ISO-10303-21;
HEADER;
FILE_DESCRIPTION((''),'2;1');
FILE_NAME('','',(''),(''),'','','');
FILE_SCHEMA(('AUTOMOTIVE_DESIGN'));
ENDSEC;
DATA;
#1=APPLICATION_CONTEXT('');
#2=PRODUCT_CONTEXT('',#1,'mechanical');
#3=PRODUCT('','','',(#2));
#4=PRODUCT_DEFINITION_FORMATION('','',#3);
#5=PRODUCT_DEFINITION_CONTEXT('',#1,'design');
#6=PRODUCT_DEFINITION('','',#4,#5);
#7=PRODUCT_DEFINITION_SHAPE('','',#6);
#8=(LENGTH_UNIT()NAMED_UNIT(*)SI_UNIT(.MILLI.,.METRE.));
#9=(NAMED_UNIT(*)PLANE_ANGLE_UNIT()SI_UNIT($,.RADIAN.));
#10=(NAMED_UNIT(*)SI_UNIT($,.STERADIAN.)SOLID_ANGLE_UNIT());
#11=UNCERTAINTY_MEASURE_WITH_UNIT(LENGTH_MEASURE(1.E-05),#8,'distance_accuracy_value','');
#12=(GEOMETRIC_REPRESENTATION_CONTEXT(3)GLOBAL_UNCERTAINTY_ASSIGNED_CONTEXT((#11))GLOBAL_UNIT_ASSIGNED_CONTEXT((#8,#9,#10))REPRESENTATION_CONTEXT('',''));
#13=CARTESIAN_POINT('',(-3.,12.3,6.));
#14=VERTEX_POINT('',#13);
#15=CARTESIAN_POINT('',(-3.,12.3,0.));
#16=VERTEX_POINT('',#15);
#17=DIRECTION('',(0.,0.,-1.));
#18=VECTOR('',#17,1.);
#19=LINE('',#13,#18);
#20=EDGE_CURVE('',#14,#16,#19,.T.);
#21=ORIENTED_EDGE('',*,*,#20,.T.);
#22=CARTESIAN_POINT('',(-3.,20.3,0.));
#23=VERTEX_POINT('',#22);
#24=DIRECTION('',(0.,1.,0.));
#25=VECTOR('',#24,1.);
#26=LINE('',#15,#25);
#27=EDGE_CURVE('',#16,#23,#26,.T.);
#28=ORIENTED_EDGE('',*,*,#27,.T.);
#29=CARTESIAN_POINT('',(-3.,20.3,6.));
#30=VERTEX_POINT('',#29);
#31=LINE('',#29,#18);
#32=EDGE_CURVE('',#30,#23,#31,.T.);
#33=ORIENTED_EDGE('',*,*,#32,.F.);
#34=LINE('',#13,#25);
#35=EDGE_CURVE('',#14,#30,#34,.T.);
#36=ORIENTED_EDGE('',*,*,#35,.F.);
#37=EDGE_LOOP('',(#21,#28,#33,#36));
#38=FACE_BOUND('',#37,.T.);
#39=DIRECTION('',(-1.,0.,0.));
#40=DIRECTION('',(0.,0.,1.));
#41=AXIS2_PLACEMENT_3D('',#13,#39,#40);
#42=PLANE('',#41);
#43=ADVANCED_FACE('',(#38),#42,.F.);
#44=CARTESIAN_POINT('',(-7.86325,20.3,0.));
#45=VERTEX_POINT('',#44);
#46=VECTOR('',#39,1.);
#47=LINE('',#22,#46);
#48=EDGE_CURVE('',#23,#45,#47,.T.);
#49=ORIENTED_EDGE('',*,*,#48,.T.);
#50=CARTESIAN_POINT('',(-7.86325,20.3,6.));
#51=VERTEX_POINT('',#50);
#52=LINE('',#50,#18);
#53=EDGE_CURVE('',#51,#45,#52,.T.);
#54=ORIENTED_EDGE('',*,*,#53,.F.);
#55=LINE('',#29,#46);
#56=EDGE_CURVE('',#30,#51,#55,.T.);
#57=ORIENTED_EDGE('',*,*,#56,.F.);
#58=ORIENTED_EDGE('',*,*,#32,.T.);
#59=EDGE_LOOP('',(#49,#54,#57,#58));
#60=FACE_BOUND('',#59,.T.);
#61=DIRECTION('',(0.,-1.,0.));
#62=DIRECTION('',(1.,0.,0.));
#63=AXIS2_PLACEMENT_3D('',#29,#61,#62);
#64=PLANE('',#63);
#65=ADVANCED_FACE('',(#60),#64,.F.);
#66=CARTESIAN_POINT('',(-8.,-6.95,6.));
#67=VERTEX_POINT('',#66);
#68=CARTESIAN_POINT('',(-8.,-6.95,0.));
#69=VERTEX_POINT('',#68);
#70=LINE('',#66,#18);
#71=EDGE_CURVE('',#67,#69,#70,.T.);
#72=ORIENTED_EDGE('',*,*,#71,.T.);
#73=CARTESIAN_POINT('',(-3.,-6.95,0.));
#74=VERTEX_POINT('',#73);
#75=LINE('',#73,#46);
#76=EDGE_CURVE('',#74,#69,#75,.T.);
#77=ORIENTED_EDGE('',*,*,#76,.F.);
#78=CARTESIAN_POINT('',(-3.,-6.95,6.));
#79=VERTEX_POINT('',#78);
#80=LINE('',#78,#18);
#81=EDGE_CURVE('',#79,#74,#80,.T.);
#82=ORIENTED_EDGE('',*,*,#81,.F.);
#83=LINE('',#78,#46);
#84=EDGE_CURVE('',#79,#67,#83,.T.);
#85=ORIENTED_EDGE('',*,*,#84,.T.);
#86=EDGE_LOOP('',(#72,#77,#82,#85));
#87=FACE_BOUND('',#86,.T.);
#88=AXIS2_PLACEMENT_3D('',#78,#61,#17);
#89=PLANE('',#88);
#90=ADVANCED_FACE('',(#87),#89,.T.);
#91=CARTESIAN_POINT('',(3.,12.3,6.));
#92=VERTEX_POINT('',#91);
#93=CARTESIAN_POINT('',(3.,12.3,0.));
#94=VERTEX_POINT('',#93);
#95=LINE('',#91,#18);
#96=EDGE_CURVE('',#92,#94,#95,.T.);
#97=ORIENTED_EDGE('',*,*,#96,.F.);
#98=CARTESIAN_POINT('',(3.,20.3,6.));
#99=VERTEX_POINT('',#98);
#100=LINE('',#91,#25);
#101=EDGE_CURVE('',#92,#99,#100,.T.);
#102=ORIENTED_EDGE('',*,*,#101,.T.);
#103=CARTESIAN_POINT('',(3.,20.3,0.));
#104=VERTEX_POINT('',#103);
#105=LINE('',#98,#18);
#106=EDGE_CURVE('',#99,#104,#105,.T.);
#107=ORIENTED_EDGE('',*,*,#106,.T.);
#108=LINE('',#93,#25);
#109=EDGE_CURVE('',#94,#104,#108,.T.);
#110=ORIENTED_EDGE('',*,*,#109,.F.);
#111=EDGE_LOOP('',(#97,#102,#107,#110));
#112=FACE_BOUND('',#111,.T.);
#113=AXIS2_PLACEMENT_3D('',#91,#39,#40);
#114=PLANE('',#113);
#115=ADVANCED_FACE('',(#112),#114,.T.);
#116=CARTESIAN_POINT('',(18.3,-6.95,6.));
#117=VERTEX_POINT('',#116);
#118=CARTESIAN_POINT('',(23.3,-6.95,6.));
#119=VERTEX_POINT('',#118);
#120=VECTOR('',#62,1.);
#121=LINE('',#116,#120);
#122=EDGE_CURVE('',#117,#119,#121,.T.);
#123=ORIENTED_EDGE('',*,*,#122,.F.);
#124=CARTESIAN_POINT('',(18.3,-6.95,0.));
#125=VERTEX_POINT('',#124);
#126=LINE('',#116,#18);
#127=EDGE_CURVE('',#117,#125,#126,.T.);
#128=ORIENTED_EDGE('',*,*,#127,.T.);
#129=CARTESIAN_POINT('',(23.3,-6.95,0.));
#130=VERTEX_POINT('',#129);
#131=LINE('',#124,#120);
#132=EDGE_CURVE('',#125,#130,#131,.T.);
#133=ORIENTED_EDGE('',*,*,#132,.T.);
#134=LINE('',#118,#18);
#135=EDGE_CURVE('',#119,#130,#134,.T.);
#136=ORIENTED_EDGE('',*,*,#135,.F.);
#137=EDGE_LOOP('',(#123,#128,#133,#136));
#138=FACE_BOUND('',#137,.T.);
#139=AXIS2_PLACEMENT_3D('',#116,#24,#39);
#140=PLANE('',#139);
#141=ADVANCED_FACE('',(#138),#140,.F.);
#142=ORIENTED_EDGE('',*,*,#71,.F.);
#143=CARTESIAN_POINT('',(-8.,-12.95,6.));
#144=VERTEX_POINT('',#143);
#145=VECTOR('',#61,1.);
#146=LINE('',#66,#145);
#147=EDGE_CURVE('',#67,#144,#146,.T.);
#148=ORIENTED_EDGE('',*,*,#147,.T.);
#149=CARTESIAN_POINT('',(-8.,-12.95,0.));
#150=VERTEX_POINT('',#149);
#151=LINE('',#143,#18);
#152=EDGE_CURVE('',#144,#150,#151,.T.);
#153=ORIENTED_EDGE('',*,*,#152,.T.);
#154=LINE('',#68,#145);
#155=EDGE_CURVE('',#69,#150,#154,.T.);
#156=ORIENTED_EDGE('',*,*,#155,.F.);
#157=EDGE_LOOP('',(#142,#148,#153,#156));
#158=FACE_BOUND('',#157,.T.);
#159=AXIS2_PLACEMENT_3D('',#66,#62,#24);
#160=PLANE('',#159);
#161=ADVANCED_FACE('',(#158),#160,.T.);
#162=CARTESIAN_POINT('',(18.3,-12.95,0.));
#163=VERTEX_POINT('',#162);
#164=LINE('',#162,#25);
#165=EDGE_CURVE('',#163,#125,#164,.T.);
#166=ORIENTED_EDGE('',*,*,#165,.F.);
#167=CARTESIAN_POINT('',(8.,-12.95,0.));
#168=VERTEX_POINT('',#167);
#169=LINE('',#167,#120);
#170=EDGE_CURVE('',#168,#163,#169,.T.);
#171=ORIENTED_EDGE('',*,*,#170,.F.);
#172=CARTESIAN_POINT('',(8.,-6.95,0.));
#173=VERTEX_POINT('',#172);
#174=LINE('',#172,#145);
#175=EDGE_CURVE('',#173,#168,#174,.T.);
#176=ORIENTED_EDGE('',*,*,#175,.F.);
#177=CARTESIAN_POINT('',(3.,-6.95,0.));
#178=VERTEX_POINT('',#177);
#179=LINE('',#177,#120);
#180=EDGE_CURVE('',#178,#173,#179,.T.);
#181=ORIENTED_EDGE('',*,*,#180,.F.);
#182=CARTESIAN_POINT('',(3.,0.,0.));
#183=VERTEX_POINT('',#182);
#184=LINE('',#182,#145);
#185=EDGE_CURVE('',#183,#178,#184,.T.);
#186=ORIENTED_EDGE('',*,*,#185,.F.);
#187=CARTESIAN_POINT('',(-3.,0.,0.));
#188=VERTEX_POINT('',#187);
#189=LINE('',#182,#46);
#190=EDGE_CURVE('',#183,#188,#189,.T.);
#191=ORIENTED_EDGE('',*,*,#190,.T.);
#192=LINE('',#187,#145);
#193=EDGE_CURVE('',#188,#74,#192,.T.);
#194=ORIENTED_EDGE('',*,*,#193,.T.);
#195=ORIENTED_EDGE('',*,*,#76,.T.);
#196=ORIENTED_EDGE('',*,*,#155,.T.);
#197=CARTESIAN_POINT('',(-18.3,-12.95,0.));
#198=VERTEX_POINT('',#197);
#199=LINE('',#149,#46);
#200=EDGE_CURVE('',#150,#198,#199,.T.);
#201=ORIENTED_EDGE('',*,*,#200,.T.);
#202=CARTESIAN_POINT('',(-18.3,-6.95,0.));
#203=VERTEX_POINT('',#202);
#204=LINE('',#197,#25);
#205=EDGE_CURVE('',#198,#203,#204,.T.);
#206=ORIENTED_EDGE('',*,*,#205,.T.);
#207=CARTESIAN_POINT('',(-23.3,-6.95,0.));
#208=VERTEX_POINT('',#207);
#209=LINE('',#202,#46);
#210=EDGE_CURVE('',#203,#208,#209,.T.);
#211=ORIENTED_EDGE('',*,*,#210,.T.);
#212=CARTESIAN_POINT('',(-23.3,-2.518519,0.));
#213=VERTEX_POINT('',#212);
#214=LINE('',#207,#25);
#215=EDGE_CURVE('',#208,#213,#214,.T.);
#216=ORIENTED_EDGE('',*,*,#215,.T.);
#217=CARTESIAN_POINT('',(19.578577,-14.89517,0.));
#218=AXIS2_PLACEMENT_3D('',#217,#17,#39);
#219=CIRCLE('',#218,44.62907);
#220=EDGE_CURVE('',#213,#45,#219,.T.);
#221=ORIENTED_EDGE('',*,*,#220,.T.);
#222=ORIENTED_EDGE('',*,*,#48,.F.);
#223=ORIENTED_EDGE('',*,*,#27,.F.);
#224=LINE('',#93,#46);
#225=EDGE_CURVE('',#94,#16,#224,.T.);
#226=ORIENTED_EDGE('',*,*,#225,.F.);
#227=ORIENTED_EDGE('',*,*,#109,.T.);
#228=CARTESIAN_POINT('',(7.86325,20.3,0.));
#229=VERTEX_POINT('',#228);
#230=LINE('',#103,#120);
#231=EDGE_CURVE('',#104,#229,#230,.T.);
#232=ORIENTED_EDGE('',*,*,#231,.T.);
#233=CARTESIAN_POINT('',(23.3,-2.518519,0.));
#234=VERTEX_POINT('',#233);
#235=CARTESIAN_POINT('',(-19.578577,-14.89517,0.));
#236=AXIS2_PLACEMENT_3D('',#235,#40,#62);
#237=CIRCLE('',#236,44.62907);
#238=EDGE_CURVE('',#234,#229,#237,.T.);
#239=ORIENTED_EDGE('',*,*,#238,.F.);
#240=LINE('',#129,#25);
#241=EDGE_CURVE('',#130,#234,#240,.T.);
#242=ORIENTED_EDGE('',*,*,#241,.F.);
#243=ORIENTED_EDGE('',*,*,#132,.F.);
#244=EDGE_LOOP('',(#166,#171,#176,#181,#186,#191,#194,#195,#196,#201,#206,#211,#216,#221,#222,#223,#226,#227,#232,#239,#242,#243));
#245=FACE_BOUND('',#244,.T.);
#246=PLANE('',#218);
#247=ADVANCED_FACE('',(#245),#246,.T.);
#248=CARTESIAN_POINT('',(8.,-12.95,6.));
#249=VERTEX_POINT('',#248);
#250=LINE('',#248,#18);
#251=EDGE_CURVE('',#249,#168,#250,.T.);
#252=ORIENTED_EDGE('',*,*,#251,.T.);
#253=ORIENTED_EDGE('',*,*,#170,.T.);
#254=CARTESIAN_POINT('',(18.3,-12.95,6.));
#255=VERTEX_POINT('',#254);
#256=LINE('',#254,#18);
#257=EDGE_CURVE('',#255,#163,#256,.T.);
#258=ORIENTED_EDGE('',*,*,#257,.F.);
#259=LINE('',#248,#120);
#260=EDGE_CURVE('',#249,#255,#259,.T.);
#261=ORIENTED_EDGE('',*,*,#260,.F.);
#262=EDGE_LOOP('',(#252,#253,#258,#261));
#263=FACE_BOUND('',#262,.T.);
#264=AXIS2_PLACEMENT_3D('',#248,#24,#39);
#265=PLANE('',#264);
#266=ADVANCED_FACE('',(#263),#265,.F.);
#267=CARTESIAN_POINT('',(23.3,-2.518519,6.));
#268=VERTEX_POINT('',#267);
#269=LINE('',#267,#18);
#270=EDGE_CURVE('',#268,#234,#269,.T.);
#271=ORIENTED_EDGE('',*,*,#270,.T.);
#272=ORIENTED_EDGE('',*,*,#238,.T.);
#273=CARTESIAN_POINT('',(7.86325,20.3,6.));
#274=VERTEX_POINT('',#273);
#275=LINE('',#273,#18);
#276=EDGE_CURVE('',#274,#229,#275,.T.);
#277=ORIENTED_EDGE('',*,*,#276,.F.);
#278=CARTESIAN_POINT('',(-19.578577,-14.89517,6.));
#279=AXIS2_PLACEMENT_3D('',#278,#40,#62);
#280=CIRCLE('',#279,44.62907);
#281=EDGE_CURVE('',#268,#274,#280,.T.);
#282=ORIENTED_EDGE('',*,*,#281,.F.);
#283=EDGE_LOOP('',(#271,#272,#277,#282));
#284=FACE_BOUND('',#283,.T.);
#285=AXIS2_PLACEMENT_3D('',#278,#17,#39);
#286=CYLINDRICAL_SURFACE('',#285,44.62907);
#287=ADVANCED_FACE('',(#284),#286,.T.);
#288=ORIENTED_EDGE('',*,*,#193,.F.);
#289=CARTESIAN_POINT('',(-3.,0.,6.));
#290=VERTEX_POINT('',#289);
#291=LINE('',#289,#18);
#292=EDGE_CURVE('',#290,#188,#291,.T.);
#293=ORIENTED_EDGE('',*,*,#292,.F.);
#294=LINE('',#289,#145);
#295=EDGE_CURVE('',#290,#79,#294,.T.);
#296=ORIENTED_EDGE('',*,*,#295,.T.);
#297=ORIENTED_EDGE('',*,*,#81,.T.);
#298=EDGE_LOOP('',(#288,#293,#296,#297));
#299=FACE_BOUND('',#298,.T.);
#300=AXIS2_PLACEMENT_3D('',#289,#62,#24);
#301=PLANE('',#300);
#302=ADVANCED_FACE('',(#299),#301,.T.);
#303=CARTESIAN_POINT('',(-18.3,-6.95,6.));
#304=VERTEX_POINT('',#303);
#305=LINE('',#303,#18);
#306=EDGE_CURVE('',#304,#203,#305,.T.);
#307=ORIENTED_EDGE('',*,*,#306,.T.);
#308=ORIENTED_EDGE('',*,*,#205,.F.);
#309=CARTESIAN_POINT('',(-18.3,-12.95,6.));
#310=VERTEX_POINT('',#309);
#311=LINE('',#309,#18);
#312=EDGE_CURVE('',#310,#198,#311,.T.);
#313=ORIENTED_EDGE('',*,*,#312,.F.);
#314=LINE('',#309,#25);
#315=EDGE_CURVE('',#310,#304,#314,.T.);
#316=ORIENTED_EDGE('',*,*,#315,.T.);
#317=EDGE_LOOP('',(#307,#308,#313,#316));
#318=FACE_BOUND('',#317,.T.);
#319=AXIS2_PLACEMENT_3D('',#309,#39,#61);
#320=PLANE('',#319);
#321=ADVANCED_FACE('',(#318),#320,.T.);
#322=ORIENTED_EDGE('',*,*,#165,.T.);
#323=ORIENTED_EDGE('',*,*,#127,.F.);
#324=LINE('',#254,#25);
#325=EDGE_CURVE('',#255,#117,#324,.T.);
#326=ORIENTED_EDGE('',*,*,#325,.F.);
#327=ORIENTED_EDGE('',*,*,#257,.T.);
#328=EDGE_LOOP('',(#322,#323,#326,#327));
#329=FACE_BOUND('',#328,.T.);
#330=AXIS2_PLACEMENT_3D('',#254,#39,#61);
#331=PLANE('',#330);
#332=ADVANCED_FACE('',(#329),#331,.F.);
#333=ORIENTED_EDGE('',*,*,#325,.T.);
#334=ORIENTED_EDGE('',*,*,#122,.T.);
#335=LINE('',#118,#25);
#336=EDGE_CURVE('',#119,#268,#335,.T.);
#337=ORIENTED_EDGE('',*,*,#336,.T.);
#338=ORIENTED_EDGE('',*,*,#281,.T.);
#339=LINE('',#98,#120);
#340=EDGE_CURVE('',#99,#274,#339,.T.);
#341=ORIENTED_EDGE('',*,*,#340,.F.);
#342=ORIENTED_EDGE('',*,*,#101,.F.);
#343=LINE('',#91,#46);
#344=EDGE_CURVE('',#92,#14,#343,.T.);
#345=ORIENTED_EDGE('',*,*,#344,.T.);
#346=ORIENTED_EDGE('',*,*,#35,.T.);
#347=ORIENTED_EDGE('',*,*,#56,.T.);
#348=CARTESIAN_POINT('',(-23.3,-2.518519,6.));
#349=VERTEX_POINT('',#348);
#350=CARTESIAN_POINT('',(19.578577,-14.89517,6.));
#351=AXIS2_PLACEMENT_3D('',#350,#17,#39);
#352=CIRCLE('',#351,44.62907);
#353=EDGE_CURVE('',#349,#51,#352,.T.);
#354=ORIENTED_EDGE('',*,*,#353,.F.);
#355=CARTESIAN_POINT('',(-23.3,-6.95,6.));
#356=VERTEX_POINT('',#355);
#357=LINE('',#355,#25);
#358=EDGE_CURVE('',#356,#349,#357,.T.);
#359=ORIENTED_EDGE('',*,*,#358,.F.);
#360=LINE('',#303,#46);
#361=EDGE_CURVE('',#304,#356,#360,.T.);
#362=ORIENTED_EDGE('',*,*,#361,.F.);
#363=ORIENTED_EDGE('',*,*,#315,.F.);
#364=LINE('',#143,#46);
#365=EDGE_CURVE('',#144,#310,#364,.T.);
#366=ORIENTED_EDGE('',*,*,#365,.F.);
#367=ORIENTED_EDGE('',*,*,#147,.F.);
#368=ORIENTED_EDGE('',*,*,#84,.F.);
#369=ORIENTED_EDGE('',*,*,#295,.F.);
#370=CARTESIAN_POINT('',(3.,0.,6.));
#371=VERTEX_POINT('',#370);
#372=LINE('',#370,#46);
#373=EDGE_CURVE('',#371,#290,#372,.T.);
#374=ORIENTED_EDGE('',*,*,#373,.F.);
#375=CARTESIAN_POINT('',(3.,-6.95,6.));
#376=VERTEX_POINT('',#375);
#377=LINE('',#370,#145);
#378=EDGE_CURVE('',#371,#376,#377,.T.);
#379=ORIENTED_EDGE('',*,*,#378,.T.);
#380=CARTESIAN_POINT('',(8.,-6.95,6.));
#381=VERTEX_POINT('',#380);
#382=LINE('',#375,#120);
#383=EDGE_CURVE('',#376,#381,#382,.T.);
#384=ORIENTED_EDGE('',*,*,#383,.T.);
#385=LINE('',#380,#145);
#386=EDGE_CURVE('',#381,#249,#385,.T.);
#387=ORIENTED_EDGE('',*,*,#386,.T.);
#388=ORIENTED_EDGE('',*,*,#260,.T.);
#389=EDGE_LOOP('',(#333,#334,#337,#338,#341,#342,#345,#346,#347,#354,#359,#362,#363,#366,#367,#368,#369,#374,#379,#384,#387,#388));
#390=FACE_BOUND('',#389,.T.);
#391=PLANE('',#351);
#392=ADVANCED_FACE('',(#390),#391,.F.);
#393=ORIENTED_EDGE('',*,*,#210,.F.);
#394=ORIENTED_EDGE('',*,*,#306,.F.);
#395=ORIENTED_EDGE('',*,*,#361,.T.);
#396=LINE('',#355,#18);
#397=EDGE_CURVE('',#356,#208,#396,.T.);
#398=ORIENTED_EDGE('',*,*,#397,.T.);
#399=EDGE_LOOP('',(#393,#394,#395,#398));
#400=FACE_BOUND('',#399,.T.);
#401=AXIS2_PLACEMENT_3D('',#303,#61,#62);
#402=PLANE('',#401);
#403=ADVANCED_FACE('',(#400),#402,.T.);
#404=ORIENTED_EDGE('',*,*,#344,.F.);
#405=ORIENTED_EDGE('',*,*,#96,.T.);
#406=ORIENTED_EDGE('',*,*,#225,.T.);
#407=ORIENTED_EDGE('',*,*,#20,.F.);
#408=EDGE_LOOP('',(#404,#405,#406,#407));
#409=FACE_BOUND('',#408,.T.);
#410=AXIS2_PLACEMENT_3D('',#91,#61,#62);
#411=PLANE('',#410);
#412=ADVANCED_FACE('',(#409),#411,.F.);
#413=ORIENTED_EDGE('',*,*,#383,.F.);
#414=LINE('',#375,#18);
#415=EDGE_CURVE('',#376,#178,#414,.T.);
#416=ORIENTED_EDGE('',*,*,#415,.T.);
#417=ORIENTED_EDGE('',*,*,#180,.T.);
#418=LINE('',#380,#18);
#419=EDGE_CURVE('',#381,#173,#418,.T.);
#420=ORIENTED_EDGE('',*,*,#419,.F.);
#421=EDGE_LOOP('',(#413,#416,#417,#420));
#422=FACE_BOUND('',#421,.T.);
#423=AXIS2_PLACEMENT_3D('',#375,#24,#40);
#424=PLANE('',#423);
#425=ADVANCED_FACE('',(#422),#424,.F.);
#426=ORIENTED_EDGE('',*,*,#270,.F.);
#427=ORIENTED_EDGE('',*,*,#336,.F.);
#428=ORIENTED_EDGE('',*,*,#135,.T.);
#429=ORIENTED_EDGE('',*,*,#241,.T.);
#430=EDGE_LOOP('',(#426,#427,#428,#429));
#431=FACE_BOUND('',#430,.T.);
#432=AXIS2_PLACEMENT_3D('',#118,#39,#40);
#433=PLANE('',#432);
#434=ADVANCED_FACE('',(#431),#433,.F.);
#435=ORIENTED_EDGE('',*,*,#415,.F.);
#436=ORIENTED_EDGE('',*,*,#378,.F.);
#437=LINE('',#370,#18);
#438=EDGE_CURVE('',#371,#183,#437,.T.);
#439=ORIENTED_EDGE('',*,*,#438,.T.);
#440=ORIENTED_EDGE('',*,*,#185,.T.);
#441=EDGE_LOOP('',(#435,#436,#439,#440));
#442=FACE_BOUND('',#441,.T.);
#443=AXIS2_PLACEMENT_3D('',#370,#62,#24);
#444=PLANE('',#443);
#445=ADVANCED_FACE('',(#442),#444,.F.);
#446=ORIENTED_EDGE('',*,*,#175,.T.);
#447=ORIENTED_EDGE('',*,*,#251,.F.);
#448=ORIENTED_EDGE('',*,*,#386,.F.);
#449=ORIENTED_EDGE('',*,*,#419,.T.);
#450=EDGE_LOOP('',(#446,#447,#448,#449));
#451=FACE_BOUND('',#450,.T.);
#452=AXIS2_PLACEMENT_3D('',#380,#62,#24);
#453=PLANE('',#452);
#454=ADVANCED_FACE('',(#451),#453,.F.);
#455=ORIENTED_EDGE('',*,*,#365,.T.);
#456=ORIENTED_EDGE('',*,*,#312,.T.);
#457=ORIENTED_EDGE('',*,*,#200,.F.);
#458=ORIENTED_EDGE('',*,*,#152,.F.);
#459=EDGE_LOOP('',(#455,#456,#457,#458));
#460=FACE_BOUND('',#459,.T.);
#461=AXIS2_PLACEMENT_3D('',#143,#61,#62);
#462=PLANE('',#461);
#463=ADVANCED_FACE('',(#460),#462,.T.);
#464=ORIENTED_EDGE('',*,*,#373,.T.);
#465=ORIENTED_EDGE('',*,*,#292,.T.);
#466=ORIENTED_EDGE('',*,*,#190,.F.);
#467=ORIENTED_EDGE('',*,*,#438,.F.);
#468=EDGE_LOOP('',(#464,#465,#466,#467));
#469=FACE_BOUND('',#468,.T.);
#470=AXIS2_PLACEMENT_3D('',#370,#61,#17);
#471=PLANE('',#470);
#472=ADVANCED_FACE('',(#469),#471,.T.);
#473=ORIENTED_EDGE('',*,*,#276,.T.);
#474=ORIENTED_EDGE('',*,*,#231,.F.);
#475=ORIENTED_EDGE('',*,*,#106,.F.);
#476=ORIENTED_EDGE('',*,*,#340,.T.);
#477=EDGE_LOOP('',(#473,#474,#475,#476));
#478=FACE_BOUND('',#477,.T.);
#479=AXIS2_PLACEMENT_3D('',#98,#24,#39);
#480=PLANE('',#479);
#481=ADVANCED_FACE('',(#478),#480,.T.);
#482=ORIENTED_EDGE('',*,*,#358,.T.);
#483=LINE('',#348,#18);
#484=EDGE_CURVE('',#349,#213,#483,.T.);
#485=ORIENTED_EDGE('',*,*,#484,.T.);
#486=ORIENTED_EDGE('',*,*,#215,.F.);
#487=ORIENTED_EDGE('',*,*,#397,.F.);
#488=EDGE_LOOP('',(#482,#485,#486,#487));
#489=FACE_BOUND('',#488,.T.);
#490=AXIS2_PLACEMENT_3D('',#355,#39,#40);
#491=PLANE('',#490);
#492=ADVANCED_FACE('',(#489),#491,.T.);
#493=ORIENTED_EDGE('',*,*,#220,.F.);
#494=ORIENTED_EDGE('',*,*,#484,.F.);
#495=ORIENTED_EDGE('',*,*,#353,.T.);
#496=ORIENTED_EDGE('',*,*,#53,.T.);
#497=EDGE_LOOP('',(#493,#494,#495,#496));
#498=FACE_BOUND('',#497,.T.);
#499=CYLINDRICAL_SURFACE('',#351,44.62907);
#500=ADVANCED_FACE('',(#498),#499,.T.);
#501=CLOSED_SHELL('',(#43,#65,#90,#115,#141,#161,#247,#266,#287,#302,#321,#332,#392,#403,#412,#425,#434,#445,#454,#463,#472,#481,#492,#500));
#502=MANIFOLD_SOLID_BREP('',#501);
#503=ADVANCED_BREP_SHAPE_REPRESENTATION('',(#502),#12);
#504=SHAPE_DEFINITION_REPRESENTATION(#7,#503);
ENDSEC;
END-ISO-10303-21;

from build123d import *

# Parameters (mm, degrees)
BOSS_EXTRUDE1_DEPTH = 6


with BuildPart() as part:
    # Sketch1 → Boss-Extrude1 (new body)
    with BuildSketch(Plane.XY):
        with BuildLine():
            Line((3, 0), (-3, 0))
            Line((-3, 0), (-3, -6.95))
            Line((-3, -6.95), (-8, -6.95))
            Line((-8, -6.95), (-8, -12.95))
            Line((-8, -12.95), (-18.3, -12.95))
            Line((-18.3, -12.95), (-18.3, -6.95))
            Line((-18.3, -6.95), (-23.3, -6.95))
            Line((-23.3, -6.95), (-23.3, -2.518518519))
            ThreePointArc((-23.3, -2.518518519), (-17.386420004, 10.11168629), (-7.863250069, 20.3))
            Line((-7.863250069, 20.3), (-3, 20.3))
            Line((-3, 20.3), (-3, 12.3))
            Line((-3, 12.3), (3, 12.3))
            Line((3, 12.3), (3, 20.3))
            Line((3, 20.3), (7.863250069, 20.3))
            ThreePointArc((7.863250069, 20.3), (17.386420004, 10.11168629), (23.3, -2.518518519))
            Line((23.3, -2.518518519), (23.3, -6.95))
            Line((23.3, -6.95), (18.3, -6.95))
            Line((18.3, -6.95), (18.3, -12.95))
            Line((18.3, -12.95), (8, -12.95))
            Line((8, -12.95), (8, -6.95))
            Line((8, -6.95), (3, -6.95))
            Line((3, -6.95), (3, 0))
        make_face()
    extrude(amount=BOSS_EXTRUDE1_DEPTH)


solid = part.part
